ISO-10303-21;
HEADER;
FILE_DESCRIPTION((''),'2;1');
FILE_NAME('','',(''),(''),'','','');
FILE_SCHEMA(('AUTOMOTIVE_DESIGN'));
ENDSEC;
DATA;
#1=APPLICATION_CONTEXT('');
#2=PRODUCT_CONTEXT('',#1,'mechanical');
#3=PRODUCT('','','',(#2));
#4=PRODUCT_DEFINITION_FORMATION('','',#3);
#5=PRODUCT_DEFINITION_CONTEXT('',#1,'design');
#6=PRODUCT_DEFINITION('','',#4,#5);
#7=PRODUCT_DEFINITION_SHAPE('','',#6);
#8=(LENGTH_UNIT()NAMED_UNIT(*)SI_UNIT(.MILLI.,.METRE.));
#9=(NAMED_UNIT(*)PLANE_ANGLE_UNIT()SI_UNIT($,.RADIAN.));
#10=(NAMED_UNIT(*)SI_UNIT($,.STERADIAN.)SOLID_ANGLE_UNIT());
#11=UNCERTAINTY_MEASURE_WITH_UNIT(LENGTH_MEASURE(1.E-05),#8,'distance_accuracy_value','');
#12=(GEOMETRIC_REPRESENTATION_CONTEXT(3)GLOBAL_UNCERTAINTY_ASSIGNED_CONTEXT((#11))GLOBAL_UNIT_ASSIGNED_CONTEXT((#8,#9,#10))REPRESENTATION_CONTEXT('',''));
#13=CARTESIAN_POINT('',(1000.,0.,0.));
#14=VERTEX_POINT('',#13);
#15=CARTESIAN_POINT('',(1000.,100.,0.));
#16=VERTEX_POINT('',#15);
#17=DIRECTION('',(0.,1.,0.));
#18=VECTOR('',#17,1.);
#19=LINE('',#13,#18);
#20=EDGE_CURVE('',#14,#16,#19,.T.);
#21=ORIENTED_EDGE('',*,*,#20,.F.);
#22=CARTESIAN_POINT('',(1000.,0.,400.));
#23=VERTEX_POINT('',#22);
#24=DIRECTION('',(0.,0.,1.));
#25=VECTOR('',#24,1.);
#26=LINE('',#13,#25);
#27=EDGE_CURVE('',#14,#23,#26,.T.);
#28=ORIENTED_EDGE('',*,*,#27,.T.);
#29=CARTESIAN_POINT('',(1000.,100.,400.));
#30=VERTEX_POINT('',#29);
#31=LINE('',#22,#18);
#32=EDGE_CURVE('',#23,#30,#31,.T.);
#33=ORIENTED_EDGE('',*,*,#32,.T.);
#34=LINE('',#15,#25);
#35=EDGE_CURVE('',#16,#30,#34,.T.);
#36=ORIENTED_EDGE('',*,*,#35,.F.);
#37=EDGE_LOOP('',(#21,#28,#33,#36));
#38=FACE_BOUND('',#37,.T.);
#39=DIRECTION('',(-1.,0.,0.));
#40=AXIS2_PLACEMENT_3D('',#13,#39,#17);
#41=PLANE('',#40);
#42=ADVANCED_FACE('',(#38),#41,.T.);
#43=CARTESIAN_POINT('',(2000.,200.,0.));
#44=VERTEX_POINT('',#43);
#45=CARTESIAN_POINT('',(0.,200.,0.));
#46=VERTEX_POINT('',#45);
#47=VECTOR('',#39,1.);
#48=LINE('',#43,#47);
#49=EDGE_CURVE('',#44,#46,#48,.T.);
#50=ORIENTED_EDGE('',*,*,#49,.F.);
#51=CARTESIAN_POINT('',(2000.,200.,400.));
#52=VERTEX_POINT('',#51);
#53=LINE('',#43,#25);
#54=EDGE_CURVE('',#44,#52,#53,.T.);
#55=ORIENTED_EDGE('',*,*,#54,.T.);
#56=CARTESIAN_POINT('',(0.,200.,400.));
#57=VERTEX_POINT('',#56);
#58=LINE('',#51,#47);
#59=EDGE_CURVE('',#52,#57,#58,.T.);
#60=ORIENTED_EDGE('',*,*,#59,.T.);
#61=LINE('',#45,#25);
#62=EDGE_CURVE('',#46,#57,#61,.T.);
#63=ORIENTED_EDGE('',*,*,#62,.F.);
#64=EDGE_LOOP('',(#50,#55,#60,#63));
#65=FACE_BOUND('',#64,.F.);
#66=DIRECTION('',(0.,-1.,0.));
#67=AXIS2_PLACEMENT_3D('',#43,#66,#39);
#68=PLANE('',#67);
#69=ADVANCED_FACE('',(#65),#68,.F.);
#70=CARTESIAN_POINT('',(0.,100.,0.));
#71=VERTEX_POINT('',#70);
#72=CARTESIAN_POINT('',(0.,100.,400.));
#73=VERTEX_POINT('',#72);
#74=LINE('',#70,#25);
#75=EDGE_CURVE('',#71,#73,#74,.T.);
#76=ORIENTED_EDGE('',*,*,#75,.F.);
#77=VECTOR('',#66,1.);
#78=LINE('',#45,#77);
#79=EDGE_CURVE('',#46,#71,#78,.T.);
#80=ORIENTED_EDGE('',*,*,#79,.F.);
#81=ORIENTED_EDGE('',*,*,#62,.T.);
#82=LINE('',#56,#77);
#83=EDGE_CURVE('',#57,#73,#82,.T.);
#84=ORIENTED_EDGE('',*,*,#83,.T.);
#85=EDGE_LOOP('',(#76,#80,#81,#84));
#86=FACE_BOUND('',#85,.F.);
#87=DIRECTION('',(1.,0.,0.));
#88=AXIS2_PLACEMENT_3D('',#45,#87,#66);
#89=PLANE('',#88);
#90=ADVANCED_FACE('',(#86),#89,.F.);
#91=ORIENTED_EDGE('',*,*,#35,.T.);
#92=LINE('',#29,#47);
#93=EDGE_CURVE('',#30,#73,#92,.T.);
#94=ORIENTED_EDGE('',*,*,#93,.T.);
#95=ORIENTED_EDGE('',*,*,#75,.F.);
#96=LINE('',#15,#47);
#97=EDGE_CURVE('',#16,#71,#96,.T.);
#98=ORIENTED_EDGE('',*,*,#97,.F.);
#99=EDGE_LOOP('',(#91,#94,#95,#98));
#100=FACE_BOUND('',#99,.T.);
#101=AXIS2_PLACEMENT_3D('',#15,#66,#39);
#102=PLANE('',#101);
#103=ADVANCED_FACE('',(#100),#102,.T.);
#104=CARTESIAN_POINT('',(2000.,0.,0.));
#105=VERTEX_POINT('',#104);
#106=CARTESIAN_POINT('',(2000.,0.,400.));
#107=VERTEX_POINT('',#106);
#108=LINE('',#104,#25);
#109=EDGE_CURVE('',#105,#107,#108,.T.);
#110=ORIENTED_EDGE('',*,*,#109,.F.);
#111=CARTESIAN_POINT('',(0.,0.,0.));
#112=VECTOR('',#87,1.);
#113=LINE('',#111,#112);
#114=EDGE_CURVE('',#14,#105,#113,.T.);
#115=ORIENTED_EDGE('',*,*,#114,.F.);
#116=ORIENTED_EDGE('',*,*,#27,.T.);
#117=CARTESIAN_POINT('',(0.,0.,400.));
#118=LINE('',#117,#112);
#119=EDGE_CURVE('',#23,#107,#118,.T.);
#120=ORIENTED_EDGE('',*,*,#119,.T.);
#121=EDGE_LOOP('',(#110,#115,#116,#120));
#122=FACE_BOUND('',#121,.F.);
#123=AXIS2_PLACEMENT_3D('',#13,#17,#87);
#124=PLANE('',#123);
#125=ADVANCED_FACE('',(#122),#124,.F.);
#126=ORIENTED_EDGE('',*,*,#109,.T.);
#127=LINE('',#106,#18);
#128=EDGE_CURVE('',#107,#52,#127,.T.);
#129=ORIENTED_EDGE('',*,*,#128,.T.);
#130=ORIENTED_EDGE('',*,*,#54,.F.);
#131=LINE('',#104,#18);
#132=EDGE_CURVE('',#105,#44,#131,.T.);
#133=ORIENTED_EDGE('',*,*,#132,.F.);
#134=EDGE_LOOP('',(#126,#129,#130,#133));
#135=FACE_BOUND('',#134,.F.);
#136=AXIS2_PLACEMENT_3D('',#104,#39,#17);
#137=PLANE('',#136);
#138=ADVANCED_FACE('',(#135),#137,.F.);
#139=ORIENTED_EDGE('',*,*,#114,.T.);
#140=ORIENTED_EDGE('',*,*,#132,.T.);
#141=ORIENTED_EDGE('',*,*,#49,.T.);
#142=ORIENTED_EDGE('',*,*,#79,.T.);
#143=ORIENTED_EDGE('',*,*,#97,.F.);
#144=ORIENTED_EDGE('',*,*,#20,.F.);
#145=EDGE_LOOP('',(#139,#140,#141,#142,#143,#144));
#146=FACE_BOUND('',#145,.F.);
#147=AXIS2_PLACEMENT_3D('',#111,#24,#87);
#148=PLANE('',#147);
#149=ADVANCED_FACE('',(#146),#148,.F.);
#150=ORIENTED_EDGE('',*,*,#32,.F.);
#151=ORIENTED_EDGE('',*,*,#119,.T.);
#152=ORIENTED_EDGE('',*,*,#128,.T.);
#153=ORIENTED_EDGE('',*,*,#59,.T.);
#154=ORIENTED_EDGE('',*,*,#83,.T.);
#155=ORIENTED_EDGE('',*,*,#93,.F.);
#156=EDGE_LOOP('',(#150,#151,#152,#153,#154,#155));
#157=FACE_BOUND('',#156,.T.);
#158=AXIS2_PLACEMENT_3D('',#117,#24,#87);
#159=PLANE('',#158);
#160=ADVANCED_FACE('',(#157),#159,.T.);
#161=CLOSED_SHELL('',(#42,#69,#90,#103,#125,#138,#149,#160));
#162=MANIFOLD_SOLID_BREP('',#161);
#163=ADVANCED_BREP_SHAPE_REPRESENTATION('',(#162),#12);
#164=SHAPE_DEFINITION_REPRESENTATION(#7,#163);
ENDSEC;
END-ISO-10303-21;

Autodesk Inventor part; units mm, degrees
ref_plane "YZ Plane" through (0, 0, 0) normal (1, 0, 0) x (0, 1, 0)
ref_plane "XZ Plane" through (0, 0, 0) normal (0, 1, 0) x (-1, 0, 0)
ref_plane "XY Plane" through (0, 0, 0) normal (0, 0, 1) x (1, 0, 0)
sketch "Boceto2" plane through (0, 0, 0) normal (0, 0, 1) x (1, 0, 0)
  line L0 (0, 0) -> (2000, 0)
  line L1 (2000, 0) -> (2000, 200)
  line L2 (2000, 200) -> (0, 200)
  line L3 (0, 200) -> (0, 0)
  line L4 (0, 0) -> (1000, 0)
  line L5 (1000, 0) -> (1000, 100)
  line L6 (1000, 100) -> (0, 100)
  line L7 (0, 100) -> (0, 0)
  dimension "d0" = 2000
  dimension "d1" = 200
  dimension "d2" = 1000
  dimension "d3" = 100
extrude "Extrusión1" add sketch "Boceto2" along normal blind 400 contours L5 L6 L3 L2 L1 L0
properties part number "3D_Domain"
